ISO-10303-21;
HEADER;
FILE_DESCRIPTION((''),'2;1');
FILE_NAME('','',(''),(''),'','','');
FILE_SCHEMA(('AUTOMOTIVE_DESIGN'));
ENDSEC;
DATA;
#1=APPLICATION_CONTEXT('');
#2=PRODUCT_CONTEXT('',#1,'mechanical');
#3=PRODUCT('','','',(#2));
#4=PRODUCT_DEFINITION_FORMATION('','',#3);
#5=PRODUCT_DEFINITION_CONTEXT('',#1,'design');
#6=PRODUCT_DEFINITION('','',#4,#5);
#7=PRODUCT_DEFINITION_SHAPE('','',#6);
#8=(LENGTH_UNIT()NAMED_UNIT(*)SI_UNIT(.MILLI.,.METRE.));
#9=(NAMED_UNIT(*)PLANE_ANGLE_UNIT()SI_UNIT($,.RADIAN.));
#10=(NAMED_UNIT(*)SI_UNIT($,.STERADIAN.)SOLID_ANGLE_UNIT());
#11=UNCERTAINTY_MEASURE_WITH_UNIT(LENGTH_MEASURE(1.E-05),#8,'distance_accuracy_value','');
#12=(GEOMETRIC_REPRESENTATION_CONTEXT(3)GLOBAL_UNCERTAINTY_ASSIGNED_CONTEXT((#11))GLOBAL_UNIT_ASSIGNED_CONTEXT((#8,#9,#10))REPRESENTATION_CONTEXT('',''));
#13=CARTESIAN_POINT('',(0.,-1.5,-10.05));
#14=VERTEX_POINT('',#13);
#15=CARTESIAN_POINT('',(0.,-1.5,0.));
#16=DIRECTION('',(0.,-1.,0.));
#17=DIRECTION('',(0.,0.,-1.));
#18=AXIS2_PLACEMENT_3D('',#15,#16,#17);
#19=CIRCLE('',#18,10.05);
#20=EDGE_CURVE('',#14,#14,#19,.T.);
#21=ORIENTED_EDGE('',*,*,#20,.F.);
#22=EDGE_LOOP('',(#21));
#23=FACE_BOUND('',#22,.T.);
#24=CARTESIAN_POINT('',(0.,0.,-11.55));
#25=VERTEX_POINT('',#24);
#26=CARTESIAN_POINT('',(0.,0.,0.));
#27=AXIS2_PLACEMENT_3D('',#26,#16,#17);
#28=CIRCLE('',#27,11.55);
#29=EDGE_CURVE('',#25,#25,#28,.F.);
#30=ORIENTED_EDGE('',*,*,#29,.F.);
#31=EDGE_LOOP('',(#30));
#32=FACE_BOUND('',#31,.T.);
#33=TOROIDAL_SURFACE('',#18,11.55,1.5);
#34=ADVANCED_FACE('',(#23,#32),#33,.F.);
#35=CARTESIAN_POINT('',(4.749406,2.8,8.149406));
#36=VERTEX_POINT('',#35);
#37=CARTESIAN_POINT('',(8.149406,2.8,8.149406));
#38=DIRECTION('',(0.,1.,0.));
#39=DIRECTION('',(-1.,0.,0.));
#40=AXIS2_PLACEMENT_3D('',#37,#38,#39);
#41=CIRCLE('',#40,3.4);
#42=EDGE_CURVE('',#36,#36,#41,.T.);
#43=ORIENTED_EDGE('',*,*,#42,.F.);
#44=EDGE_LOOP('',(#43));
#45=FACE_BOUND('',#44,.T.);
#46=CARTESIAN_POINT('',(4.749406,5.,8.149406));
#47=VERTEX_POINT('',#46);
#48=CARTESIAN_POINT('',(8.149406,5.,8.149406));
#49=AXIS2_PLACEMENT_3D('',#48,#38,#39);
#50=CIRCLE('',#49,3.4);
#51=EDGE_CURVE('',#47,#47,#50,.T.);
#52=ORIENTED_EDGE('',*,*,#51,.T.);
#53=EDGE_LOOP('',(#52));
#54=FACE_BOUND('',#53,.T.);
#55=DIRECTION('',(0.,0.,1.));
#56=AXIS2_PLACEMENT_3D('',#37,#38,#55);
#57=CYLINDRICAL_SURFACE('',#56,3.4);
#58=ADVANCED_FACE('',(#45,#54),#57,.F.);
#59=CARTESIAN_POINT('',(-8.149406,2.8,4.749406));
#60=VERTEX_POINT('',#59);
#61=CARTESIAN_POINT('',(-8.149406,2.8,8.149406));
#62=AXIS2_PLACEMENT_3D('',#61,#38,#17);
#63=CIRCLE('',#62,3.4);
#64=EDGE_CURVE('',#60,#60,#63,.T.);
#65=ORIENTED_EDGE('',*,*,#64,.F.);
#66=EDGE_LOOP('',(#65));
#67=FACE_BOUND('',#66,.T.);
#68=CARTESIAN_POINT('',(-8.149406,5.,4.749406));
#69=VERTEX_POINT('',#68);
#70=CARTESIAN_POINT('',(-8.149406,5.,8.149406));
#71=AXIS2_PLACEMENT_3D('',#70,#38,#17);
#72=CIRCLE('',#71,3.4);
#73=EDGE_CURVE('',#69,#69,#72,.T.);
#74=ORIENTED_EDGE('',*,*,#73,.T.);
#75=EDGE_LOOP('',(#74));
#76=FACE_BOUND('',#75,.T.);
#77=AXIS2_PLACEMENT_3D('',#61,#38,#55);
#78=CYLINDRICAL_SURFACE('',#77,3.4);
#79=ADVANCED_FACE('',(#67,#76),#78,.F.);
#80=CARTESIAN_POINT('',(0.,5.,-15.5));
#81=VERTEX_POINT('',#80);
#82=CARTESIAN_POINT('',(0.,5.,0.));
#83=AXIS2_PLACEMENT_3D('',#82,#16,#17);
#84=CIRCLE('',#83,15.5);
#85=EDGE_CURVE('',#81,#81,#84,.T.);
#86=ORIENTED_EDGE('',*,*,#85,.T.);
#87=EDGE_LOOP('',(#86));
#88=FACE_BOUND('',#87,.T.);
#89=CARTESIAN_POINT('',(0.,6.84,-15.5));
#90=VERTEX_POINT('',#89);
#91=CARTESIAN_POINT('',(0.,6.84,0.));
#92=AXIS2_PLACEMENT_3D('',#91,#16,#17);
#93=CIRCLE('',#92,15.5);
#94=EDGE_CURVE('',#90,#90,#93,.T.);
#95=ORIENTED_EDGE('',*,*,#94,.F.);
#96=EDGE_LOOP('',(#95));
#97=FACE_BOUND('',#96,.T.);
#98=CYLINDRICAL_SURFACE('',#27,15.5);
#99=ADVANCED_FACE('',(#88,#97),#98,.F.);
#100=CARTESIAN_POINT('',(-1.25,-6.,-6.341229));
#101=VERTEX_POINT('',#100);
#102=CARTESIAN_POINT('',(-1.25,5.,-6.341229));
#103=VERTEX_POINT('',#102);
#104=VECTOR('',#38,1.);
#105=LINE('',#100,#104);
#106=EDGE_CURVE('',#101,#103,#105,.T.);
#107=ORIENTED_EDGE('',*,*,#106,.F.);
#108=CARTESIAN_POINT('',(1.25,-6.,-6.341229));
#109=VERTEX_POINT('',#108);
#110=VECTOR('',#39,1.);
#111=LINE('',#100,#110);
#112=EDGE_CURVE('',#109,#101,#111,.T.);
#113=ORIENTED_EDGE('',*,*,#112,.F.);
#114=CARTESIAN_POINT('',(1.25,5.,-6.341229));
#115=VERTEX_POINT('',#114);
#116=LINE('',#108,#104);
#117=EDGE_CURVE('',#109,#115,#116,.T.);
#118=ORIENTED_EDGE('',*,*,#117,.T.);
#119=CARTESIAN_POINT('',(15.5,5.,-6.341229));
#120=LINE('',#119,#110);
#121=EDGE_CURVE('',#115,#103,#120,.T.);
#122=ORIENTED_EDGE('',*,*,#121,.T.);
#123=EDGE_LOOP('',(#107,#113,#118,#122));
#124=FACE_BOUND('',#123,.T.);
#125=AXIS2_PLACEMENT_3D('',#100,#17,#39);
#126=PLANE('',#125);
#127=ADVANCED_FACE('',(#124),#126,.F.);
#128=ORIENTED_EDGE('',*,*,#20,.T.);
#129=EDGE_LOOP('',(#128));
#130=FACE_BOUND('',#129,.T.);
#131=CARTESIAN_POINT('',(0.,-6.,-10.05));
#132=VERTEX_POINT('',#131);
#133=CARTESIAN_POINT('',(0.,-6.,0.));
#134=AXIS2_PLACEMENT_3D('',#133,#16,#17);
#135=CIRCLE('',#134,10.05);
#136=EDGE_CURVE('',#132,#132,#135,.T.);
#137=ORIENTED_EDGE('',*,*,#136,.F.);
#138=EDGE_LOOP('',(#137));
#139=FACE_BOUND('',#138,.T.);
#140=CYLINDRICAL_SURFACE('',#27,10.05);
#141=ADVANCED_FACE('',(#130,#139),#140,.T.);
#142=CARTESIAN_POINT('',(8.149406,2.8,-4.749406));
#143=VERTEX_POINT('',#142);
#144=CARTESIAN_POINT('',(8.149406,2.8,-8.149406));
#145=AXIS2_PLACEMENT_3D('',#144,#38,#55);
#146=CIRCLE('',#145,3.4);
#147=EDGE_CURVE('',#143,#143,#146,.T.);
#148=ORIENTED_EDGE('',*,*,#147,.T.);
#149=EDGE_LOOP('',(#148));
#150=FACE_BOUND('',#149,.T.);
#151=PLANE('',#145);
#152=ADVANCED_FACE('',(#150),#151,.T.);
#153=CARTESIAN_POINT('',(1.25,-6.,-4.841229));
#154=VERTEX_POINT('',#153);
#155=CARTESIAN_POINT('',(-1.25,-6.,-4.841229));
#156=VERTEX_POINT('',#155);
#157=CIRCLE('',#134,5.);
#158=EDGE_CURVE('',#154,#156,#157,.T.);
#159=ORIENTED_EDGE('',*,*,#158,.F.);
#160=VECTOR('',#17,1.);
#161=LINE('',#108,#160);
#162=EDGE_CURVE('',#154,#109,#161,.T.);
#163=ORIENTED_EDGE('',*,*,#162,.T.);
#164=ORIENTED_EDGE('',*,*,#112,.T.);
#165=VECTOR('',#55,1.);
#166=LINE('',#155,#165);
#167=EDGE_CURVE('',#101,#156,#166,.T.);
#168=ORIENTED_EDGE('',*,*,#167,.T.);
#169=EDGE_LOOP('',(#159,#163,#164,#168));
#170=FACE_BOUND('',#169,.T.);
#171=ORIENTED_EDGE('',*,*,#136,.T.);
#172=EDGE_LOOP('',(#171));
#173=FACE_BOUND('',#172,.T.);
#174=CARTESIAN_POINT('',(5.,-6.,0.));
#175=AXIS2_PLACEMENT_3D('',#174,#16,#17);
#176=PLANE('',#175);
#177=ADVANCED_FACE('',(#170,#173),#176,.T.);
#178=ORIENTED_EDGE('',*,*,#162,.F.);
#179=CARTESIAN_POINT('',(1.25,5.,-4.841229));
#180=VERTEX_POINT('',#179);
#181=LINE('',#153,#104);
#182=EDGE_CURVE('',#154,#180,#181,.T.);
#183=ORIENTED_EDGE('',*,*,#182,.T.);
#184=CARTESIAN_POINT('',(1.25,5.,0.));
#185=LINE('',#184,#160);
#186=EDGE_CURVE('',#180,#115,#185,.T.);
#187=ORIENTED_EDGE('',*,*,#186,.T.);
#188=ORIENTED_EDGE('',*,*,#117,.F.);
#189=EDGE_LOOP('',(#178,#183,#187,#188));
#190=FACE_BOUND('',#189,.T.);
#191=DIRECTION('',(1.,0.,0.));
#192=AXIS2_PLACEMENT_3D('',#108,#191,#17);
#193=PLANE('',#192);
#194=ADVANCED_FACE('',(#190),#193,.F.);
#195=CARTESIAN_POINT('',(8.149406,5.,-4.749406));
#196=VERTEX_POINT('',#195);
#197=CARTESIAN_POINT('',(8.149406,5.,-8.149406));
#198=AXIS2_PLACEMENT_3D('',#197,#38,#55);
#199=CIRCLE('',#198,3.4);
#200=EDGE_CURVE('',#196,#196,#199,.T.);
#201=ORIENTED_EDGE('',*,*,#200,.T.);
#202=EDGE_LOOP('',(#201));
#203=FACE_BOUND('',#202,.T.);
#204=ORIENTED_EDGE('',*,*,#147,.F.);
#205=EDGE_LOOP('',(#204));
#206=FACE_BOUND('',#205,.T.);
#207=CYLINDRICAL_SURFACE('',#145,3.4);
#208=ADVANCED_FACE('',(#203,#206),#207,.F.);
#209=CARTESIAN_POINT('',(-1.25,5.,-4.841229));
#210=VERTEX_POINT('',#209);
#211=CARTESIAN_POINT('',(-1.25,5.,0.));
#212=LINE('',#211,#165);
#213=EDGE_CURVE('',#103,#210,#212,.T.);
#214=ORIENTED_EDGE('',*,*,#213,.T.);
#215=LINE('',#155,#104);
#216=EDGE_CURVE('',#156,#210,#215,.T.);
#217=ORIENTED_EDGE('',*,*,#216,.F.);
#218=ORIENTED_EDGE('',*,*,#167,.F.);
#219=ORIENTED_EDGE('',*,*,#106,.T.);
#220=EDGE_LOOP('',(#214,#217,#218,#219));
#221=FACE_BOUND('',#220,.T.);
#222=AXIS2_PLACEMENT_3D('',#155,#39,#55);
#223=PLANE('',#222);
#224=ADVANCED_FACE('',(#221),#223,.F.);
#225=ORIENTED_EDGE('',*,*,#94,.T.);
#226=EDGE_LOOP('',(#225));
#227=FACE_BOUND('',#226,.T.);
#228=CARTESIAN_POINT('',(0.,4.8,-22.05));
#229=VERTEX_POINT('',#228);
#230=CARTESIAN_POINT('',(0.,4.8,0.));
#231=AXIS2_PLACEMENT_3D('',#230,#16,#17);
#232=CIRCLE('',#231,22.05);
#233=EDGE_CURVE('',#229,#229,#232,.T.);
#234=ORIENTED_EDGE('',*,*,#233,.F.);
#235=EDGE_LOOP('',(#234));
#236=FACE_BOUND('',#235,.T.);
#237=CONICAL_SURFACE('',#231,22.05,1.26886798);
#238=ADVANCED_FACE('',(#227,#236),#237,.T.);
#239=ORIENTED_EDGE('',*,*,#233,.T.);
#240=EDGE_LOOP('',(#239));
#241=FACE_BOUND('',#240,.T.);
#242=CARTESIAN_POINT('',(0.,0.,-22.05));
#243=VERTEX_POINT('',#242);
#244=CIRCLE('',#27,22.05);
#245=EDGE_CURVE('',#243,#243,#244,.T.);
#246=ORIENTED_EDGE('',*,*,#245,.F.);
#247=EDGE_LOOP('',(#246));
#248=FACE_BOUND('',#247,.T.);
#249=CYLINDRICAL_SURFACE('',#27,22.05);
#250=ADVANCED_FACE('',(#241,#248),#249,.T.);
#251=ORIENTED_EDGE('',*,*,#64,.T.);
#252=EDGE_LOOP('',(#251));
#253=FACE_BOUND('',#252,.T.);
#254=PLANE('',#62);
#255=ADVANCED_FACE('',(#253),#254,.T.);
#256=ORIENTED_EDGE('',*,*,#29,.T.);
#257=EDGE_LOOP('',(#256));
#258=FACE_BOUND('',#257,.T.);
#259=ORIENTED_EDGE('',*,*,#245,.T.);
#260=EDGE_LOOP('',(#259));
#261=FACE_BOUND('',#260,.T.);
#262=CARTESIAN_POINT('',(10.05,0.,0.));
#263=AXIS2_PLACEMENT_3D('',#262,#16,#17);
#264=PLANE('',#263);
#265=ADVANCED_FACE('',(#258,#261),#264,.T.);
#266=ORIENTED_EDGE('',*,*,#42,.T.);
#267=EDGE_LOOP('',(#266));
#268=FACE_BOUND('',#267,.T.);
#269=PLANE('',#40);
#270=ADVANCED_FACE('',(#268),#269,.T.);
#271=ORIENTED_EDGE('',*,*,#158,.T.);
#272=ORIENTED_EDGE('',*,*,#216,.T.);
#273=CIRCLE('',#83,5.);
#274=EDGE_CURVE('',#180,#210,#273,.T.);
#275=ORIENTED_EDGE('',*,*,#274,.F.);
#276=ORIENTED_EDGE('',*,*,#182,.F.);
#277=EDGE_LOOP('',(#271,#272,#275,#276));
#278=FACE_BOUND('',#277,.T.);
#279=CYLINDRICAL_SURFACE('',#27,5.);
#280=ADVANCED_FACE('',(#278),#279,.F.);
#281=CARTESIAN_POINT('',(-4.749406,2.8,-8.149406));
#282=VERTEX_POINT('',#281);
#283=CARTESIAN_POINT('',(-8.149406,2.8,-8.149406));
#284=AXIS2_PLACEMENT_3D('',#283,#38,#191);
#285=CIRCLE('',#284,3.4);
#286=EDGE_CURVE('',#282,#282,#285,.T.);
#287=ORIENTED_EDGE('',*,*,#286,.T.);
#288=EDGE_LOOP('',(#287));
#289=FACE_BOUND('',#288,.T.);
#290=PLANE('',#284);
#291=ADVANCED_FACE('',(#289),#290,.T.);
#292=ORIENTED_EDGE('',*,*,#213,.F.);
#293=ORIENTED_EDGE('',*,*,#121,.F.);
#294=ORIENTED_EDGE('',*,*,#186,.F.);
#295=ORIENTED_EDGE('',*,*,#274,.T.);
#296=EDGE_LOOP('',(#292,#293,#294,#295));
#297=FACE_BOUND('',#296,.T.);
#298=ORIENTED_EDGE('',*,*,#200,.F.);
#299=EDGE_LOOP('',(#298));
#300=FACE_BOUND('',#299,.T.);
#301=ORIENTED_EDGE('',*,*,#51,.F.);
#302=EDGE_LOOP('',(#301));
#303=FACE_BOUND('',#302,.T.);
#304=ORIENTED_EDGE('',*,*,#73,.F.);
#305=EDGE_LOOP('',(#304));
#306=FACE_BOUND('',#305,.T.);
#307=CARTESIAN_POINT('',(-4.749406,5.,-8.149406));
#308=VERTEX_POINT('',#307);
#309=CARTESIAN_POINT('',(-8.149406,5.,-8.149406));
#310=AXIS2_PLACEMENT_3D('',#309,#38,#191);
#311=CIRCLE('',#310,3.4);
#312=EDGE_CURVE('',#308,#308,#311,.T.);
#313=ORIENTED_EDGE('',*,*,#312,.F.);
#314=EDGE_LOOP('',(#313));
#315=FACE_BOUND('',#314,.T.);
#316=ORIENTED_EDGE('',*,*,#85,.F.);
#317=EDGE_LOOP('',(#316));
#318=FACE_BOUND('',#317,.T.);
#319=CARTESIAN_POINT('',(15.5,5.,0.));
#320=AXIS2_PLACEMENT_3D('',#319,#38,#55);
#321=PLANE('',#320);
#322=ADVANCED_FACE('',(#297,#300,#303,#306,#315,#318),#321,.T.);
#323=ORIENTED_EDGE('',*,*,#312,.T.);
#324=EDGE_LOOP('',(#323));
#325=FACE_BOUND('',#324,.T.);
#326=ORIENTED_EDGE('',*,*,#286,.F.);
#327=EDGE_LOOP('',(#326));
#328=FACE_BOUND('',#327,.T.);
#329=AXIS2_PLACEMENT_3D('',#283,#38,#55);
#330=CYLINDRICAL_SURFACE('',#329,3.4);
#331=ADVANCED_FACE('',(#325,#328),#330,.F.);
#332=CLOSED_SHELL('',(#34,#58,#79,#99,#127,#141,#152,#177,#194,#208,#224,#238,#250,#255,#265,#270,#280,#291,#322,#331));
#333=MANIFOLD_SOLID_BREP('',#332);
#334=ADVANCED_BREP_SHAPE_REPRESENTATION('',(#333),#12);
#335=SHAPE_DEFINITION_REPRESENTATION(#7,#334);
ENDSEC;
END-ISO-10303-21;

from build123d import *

# Parameters (mm, degrees)
FILLET1_R               = 1.5
SKETCH2_W               = 2.5
SKETCH2_H               = 1.5
CUT_EXTRUDE1_DEPTH      = 7.84
CUT_EXTRUDE1_DEPTH_BACK = 7
SKETCH3_R               = 3.4
CUT_EXTRUDE2_DEPTH      = 2.2
CIRPATTERN1_COUNT       = 4


with BuildPart() as part:
    # Sketch1 → Revolve1 (revolve)
    with BuildSketch(Plane.XY):
        Polygon((5, -6), (10.05, -6), (10.05, 0), (22.05, 0), (22.05, 4.8), (15.5, 6.84), (15.5, 5), (5, 5), align=None)
    revolve(axis=Axis((0, 0, 0), (0, 1, 0)))

    # Fillet1
    fillet1_edges = [part.edges().sort_by_distance(p)[0] for p in [
        (-10.05, 0, 0),
    ]]
    fillet(fillet1_edges, radius=FILLET1_R)

    # Sketch2 → Cut-Extrude1 (cut, two sides)
    with BuildSketch(Plane(origin=(0, 0, 0), x_dir=(1, 0, 0), z_dir=(0, 1, 0))) as cut_extrude1_sk:
        with Locations((0, 5.591229183)):
            Rectangle(SKETCH2_W, SKETCH2_H)
    extrude(amount=CUT_EXTRUDE1_DEPTH, mode=Mode.SUBTRACT)
    extrude(cut_extrude1_sk.sketch, amount=-CUT_EXTRUDE1_DEPTH_BACK, mode=Mode.SUBTRACT)

    # Sketch3 → Cut-Extrude2 (cut)
    with BuildSketch(Plane(origin=(0, 5, 0), x_dir=(1, 0, 0), z_dir=(0, 1, 0))):
        with Locations((8.149405653, 8.149405653)):
            Circle(SKETCH3_R)
    cut_extrude2 = extrude(amount=-CUT_EXTRUDE2_DEPTH, mode=Mode.SUBTRACT)

    # CirPattern1: Cut-Extrude2 ×4 about axis
    cirpattern1_axis = Axis((0, 0, 0), (0, 1, 0))
    for i in range(1, CIRPATTERN1_COUNT):
        add(cut_extrude2.rotate(cirpattern1_axis, i * 360 / CIRPATTERN1_COUNT), mode=Mode.SUBTRACT)


solid = part.part
